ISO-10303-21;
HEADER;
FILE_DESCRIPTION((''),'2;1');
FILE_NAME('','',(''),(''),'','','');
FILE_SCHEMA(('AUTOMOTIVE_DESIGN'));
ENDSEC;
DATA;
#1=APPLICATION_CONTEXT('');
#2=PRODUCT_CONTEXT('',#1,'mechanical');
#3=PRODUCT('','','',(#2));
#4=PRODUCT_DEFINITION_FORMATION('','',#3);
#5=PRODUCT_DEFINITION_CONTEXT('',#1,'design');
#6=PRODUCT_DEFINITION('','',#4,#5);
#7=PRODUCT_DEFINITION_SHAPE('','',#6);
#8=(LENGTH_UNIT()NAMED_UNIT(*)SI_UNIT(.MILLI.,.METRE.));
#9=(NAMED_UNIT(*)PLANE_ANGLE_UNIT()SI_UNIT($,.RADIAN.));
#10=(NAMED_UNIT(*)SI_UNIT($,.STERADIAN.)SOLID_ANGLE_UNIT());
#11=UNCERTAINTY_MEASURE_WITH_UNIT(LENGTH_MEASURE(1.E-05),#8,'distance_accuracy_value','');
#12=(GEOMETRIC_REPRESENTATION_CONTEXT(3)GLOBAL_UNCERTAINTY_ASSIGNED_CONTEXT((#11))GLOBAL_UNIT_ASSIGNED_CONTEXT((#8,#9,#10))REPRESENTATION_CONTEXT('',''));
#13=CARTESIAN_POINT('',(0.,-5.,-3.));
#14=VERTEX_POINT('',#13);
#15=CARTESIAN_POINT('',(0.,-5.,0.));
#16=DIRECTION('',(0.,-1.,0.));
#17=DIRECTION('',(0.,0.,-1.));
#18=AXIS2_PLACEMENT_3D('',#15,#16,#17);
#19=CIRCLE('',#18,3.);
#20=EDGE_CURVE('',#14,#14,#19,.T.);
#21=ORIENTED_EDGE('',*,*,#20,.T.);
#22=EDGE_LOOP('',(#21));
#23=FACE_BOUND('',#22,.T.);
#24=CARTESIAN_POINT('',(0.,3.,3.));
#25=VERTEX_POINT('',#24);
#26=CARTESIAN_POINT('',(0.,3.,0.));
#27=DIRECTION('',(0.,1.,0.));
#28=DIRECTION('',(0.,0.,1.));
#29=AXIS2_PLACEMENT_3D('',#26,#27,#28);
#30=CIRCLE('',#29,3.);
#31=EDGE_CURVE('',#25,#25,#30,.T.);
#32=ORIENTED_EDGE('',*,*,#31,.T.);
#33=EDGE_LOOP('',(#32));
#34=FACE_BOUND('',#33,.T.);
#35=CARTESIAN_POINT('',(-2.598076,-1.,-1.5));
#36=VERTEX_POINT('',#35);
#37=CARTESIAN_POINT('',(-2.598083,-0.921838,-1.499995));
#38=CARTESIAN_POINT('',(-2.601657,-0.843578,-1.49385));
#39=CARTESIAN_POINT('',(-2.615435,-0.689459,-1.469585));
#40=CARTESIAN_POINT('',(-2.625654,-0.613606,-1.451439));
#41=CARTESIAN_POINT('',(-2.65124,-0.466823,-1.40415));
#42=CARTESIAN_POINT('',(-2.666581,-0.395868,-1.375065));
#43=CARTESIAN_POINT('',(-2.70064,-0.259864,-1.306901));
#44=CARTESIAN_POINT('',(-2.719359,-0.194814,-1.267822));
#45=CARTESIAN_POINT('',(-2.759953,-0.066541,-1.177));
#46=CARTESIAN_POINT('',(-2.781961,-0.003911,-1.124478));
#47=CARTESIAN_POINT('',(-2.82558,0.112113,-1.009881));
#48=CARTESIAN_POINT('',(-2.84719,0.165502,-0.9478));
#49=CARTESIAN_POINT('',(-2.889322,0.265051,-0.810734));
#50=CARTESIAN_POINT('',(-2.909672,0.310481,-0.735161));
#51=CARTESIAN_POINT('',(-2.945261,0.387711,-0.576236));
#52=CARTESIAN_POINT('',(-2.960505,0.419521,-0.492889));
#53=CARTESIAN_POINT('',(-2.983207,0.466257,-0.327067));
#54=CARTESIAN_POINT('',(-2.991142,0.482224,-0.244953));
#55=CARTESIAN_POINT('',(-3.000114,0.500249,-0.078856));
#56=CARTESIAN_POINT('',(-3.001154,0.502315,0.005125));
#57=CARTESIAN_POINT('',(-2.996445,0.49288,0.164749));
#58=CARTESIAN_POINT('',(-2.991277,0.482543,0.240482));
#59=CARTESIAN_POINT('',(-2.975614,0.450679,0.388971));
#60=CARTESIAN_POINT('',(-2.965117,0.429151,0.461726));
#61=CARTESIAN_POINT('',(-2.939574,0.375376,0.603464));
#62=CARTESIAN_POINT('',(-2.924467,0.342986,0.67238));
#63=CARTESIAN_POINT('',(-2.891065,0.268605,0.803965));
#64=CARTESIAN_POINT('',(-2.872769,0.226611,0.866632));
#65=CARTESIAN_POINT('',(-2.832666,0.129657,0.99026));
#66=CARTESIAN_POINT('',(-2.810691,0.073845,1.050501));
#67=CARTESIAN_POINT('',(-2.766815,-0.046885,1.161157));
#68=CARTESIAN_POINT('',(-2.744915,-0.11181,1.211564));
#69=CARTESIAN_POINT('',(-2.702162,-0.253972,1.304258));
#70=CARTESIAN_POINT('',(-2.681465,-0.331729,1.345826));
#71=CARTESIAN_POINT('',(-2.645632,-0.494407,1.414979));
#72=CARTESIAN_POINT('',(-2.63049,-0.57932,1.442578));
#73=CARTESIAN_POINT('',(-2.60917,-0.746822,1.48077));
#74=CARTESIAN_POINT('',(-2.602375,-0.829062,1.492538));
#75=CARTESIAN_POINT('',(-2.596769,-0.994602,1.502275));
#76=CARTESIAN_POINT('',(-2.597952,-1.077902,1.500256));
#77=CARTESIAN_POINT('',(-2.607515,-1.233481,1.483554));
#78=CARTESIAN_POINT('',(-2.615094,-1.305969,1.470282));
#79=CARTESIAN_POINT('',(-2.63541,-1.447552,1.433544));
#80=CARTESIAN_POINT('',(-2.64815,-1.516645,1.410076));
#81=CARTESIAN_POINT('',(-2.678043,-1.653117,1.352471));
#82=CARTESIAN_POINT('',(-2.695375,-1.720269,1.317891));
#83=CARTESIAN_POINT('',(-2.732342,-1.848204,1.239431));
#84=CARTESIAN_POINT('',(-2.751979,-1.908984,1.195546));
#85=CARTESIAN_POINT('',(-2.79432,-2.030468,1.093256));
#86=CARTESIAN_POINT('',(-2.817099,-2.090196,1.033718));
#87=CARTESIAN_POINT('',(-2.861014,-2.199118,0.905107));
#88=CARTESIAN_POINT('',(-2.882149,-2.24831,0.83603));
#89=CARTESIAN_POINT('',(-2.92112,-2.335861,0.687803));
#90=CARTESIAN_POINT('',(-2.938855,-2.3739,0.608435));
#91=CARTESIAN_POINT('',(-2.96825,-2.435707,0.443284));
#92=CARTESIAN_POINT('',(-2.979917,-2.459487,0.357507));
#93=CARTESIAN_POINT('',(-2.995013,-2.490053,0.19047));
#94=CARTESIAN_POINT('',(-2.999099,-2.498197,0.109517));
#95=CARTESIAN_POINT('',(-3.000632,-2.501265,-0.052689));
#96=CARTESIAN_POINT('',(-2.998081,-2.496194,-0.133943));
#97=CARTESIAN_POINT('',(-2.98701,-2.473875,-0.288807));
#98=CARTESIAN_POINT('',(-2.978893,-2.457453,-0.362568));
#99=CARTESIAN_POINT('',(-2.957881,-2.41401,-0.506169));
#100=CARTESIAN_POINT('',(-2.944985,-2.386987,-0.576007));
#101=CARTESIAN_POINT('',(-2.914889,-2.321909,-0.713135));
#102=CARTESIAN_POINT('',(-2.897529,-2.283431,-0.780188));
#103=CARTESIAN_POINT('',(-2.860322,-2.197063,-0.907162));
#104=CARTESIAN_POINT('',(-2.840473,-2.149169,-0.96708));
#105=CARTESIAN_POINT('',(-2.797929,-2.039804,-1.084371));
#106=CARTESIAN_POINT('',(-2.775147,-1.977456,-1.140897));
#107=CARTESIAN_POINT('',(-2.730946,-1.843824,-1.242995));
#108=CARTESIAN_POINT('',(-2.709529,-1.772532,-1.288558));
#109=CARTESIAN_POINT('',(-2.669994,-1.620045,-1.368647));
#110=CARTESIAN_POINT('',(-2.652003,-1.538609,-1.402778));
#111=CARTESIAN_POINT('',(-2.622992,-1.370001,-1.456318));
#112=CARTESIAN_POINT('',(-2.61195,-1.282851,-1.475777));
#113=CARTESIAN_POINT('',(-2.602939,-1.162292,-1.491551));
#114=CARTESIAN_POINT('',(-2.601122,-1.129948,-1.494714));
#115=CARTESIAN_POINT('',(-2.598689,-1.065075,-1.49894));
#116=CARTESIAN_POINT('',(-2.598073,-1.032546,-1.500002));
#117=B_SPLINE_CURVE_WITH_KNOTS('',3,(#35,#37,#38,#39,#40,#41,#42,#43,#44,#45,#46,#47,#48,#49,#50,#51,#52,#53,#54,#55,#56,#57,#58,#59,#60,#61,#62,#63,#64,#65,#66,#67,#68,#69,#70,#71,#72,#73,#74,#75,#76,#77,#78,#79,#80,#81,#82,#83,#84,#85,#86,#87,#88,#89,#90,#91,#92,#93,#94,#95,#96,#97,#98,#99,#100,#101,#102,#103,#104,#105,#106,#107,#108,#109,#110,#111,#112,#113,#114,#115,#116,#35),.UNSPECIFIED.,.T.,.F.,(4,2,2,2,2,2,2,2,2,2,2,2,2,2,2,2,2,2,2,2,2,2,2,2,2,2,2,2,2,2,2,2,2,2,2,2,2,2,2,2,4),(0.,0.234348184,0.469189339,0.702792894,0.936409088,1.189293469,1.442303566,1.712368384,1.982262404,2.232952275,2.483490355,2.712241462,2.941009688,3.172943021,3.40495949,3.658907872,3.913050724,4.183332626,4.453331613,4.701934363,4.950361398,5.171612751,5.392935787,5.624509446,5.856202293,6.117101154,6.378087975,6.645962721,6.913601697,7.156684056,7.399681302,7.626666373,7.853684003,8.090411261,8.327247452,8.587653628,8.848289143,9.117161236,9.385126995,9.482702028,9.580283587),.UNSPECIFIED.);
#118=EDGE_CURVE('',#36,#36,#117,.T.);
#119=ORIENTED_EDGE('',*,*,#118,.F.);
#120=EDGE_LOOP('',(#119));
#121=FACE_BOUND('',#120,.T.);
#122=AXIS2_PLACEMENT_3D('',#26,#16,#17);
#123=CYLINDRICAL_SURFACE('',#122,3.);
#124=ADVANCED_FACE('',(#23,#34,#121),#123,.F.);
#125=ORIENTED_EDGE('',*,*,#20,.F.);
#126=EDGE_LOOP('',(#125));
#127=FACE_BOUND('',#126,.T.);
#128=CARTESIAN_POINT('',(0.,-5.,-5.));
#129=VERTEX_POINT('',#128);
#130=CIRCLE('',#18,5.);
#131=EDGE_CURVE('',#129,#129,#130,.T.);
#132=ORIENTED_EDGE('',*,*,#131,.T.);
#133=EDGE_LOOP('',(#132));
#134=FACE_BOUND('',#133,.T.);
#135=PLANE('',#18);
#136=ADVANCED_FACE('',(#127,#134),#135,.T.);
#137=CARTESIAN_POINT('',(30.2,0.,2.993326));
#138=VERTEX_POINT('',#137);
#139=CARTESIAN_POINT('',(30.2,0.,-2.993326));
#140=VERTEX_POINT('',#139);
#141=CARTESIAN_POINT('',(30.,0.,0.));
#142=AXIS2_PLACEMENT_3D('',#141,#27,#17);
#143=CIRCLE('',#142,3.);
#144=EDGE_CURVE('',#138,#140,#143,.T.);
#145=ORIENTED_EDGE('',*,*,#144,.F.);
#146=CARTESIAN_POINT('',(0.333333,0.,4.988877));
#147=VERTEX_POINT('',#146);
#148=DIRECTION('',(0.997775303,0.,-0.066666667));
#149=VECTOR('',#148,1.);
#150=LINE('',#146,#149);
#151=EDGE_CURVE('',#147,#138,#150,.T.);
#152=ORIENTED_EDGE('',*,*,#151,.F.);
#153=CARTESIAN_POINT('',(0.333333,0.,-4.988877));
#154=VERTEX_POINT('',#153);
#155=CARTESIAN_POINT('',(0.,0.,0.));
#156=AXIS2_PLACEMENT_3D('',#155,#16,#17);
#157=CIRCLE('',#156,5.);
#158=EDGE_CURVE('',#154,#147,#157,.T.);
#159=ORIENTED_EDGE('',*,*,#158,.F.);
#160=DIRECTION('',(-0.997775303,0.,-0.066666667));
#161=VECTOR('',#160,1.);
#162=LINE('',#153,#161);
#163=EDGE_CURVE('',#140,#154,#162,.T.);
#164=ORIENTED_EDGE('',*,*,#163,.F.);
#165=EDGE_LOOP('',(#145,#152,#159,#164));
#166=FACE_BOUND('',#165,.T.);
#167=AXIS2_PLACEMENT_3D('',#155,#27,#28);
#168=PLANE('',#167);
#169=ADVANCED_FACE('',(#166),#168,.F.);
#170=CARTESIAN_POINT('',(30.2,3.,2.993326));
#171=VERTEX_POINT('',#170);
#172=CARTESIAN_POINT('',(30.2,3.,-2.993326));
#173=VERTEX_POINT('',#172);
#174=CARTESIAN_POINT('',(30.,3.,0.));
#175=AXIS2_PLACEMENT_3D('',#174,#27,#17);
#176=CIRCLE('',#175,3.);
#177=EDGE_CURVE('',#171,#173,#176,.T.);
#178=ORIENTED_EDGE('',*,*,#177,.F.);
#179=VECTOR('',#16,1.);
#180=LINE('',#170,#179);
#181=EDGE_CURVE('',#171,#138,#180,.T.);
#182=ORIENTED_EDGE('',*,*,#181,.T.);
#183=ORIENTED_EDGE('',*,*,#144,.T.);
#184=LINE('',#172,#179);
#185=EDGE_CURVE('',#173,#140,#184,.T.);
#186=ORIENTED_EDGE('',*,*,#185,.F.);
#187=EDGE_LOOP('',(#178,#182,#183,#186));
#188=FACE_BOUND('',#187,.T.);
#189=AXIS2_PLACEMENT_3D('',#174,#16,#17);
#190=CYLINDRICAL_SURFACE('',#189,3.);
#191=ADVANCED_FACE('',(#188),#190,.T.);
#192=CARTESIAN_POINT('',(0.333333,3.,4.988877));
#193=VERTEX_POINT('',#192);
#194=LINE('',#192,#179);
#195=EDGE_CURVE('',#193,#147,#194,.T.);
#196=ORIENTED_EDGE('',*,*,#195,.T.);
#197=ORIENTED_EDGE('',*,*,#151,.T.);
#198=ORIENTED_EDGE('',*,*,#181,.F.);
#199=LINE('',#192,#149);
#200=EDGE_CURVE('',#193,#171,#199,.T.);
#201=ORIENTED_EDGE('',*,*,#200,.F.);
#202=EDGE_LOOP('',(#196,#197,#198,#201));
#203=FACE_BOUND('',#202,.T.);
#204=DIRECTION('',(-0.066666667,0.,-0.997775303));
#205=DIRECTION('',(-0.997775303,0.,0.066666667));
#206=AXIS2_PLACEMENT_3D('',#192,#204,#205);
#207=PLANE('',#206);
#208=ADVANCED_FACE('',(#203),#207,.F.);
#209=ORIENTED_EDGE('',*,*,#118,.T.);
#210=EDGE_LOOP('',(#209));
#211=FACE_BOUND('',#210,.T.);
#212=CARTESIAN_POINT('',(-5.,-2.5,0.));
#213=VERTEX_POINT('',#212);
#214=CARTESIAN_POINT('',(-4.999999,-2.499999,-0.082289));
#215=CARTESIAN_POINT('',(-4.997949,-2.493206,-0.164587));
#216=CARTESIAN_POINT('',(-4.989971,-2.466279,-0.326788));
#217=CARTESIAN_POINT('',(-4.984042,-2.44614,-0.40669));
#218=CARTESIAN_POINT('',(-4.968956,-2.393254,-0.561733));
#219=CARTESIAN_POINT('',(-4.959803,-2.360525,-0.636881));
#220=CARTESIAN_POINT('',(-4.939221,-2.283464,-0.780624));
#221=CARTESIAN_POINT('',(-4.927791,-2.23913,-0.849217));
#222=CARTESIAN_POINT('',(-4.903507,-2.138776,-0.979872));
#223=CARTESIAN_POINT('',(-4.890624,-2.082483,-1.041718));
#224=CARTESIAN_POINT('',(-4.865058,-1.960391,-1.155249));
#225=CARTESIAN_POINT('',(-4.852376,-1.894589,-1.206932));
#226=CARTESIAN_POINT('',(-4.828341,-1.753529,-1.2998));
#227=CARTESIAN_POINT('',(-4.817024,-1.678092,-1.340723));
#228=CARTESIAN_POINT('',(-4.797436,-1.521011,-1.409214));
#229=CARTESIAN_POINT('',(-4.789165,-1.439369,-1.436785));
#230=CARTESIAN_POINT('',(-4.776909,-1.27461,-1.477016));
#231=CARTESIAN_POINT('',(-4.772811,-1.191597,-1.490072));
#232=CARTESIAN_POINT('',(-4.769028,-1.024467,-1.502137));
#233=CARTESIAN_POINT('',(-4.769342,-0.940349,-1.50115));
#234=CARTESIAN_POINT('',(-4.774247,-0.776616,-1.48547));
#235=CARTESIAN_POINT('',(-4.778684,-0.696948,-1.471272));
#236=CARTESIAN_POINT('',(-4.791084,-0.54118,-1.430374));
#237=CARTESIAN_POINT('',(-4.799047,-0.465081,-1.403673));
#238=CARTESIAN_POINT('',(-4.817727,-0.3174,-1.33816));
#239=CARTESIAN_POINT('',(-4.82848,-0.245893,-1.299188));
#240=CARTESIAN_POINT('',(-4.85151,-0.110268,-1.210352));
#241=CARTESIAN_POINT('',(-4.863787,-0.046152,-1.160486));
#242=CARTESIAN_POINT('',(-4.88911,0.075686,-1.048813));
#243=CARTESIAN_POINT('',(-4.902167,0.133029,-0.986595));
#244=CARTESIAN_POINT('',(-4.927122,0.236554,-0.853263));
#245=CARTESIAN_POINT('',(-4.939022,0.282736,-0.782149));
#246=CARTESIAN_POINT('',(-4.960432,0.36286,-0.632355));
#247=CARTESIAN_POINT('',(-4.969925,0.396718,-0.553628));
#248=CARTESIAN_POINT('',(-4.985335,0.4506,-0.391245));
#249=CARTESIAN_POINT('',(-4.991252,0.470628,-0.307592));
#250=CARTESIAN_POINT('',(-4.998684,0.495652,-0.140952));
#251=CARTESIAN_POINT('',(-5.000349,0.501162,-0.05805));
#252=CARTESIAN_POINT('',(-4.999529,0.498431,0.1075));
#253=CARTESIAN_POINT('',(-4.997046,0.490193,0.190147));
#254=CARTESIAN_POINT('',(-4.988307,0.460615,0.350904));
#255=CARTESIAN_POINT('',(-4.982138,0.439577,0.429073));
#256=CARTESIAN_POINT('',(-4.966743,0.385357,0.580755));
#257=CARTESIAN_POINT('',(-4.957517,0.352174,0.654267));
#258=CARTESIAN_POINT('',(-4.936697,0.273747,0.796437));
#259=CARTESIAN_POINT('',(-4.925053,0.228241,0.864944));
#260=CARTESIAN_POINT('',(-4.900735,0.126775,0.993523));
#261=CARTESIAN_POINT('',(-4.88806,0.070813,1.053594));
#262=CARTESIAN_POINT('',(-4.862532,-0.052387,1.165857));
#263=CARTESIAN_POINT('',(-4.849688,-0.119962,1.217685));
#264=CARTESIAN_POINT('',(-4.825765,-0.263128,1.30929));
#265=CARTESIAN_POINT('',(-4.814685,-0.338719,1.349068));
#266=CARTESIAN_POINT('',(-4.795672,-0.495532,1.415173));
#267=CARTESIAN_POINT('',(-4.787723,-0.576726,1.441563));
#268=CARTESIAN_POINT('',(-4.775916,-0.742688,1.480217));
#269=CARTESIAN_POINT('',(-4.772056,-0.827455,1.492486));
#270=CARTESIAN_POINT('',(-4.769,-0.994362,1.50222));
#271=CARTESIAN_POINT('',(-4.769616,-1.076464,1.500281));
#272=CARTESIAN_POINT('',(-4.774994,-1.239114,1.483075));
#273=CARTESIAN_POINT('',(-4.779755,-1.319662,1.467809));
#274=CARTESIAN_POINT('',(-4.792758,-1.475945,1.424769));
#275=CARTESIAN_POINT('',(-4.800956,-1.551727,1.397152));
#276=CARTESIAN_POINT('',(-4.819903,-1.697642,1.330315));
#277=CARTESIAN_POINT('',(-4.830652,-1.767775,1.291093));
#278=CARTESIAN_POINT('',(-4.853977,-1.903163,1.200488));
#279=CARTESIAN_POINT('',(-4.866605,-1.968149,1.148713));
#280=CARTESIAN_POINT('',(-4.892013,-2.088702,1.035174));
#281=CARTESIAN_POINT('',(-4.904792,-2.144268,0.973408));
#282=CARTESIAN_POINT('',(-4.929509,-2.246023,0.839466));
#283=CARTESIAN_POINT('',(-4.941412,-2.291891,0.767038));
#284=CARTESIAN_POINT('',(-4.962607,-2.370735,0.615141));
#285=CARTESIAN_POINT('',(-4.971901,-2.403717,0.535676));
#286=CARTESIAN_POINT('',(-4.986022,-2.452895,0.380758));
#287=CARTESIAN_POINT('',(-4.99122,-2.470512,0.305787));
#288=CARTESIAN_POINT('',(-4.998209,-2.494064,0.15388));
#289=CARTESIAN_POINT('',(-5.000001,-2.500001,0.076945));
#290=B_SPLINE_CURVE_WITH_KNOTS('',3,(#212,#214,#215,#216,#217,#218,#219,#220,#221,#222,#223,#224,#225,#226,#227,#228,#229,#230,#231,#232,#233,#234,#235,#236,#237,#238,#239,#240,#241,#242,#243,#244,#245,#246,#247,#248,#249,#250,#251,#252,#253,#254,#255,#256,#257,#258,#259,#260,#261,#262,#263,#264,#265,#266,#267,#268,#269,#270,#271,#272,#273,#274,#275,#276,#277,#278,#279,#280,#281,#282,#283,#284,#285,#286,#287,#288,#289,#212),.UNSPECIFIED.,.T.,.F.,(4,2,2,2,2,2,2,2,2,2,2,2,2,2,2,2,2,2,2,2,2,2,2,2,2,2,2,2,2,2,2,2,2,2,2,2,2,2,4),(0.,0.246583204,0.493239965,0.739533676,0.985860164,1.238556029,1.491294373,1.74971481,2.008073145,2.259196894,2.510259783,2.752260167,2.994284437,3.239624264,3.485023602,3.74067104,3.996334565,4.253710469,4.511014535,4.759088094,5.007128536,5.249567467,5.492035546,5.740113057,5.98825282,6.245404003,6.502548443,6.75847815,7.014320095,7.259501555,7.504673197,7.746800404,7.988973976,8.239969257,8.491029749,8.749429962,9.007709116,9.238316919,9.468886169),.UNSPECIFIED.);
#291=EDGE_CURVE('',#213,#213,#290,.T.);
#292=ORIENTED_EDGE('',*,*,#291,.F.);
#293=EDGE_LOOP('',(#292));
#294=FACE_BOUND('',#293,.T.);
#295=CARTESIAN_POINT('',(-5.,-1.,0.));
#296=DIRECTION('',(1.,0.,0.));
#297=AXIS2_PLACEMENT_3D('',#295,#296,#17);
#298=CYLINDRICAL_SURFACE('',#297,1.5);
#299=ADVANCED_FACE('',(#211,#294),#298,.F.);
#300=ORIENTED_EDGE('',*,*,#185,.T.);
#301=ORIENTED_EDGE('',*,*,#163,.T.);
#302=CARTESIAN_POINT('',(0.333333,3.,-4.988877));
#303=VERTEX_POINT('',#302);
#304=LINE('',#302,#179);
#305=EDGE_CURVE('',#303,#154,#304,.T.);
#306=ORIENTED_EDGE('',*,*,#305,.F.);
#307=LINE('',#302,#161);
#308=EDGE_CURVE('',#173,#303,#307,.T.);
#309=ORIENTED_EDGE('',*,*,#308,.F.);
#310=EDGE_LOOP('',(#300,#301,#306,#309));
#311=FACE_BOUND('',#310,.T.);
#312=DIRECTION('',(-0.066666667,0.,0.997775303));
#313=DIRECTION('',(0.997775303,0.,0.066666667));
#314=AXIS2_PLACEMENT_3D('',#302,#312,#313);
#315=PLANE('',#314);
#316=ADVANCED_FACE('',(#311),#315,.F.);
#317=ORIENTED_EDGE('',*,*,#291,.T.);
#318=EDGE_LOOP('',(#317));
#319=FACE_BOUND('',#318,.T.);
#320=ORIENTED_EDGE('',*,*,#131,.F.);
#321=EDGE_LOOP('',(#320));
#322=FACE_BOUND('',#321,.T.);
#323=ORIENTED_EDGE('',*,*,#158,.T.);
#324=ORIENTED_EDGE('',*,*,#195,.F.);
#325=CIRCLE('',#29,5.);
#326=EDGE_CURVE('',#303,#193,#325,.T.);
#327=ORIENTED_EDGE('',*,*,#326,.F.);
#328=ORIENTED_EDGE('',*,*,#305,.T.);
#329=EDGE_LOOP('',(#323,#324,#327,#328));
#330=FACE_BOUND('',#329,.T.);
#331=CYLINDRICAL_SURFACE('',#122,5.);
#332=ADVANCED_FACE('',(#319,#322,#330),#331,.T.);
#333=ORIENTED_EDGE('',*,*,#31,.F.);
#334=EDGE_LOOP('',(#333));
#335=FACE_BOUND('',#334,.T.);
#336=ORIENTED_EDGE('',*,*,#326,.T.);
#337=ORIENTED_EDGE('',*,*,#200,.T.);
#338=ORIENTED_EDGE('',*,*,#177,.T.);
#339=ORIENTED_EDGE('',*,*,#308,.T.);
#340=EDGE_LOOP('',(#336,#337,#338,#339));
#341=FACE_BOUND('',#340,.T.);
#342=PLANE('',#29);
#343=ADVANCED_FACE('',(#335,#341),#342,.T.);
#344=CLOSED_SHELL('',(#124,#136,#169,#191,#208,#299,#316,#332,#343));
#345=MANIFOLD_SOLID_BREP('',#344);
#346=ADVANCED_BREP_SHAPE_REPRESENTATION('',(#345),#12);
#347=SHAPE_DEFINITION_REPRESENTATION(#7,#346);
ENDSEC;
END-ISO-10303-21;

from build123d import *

# Parameters (mm, degrees)
SKETCH_1_R          = 3
EXTRUDE_1_DEPTH     = 3
SKETCH_2_R          = 5
SKETCH_2_R_2        = 3
EXTRUDE_2_DEPTH     = 5
SKETCH_3_R          = 1.5
CUT_EXTRUDE_1_DEPTH = 6


with BuildPart() as part:
    # 草圖1 → 填料-伸長1 (new body)
    with BuildSketch(Plane(origin=(0, 0, 0), x_dir=(1, 0, 0), z_dir=(0, 1, 0))):
        with BuildLine():
            Line((0.333333333, 4.988876516), (30.2, 2.993325909))
            ThreePointArc((30.2, 2.993325909), (33, 0), (30.2, -2.993325909))
            Line((30.2, -2.993325909), (0.333333333, -4.988876516))
            ThreePointArc((0.333333333, -4.988876516), (-5, 0), (0.333333333, 4.988876516))
        make_face()
        Circle(SKETCH_1_R, mode=Mode.SUBTRACT)
    extrude(amount=EXTRUDE_1_DEPTH)

    # 草圖2 → 填料-伸長2 (add)
    with BuildSketch(Plane.XZ):
        Circle(SKETCH_2_R)
        Circle(SKETCH_2_R_2, mode=Mode.SUBTRACT)
    extrude(amount=EXTRUDE_2_DEPTH)

    # 草圖3 → 除料-伸長1 (cut, through all)
    with BuildSketch(Plane(origin=(0, 0, 0), x_dir=(0, 0, -1), z_dir=(1, 0, 0))):
        with Locations((0, -1)):
            Circle(SKETCH_3_R)
    extrude(amount=-CUT_EXTRUDE_1_DEPTH, mode=Mode.SUBTRACT)


solid = part.part
